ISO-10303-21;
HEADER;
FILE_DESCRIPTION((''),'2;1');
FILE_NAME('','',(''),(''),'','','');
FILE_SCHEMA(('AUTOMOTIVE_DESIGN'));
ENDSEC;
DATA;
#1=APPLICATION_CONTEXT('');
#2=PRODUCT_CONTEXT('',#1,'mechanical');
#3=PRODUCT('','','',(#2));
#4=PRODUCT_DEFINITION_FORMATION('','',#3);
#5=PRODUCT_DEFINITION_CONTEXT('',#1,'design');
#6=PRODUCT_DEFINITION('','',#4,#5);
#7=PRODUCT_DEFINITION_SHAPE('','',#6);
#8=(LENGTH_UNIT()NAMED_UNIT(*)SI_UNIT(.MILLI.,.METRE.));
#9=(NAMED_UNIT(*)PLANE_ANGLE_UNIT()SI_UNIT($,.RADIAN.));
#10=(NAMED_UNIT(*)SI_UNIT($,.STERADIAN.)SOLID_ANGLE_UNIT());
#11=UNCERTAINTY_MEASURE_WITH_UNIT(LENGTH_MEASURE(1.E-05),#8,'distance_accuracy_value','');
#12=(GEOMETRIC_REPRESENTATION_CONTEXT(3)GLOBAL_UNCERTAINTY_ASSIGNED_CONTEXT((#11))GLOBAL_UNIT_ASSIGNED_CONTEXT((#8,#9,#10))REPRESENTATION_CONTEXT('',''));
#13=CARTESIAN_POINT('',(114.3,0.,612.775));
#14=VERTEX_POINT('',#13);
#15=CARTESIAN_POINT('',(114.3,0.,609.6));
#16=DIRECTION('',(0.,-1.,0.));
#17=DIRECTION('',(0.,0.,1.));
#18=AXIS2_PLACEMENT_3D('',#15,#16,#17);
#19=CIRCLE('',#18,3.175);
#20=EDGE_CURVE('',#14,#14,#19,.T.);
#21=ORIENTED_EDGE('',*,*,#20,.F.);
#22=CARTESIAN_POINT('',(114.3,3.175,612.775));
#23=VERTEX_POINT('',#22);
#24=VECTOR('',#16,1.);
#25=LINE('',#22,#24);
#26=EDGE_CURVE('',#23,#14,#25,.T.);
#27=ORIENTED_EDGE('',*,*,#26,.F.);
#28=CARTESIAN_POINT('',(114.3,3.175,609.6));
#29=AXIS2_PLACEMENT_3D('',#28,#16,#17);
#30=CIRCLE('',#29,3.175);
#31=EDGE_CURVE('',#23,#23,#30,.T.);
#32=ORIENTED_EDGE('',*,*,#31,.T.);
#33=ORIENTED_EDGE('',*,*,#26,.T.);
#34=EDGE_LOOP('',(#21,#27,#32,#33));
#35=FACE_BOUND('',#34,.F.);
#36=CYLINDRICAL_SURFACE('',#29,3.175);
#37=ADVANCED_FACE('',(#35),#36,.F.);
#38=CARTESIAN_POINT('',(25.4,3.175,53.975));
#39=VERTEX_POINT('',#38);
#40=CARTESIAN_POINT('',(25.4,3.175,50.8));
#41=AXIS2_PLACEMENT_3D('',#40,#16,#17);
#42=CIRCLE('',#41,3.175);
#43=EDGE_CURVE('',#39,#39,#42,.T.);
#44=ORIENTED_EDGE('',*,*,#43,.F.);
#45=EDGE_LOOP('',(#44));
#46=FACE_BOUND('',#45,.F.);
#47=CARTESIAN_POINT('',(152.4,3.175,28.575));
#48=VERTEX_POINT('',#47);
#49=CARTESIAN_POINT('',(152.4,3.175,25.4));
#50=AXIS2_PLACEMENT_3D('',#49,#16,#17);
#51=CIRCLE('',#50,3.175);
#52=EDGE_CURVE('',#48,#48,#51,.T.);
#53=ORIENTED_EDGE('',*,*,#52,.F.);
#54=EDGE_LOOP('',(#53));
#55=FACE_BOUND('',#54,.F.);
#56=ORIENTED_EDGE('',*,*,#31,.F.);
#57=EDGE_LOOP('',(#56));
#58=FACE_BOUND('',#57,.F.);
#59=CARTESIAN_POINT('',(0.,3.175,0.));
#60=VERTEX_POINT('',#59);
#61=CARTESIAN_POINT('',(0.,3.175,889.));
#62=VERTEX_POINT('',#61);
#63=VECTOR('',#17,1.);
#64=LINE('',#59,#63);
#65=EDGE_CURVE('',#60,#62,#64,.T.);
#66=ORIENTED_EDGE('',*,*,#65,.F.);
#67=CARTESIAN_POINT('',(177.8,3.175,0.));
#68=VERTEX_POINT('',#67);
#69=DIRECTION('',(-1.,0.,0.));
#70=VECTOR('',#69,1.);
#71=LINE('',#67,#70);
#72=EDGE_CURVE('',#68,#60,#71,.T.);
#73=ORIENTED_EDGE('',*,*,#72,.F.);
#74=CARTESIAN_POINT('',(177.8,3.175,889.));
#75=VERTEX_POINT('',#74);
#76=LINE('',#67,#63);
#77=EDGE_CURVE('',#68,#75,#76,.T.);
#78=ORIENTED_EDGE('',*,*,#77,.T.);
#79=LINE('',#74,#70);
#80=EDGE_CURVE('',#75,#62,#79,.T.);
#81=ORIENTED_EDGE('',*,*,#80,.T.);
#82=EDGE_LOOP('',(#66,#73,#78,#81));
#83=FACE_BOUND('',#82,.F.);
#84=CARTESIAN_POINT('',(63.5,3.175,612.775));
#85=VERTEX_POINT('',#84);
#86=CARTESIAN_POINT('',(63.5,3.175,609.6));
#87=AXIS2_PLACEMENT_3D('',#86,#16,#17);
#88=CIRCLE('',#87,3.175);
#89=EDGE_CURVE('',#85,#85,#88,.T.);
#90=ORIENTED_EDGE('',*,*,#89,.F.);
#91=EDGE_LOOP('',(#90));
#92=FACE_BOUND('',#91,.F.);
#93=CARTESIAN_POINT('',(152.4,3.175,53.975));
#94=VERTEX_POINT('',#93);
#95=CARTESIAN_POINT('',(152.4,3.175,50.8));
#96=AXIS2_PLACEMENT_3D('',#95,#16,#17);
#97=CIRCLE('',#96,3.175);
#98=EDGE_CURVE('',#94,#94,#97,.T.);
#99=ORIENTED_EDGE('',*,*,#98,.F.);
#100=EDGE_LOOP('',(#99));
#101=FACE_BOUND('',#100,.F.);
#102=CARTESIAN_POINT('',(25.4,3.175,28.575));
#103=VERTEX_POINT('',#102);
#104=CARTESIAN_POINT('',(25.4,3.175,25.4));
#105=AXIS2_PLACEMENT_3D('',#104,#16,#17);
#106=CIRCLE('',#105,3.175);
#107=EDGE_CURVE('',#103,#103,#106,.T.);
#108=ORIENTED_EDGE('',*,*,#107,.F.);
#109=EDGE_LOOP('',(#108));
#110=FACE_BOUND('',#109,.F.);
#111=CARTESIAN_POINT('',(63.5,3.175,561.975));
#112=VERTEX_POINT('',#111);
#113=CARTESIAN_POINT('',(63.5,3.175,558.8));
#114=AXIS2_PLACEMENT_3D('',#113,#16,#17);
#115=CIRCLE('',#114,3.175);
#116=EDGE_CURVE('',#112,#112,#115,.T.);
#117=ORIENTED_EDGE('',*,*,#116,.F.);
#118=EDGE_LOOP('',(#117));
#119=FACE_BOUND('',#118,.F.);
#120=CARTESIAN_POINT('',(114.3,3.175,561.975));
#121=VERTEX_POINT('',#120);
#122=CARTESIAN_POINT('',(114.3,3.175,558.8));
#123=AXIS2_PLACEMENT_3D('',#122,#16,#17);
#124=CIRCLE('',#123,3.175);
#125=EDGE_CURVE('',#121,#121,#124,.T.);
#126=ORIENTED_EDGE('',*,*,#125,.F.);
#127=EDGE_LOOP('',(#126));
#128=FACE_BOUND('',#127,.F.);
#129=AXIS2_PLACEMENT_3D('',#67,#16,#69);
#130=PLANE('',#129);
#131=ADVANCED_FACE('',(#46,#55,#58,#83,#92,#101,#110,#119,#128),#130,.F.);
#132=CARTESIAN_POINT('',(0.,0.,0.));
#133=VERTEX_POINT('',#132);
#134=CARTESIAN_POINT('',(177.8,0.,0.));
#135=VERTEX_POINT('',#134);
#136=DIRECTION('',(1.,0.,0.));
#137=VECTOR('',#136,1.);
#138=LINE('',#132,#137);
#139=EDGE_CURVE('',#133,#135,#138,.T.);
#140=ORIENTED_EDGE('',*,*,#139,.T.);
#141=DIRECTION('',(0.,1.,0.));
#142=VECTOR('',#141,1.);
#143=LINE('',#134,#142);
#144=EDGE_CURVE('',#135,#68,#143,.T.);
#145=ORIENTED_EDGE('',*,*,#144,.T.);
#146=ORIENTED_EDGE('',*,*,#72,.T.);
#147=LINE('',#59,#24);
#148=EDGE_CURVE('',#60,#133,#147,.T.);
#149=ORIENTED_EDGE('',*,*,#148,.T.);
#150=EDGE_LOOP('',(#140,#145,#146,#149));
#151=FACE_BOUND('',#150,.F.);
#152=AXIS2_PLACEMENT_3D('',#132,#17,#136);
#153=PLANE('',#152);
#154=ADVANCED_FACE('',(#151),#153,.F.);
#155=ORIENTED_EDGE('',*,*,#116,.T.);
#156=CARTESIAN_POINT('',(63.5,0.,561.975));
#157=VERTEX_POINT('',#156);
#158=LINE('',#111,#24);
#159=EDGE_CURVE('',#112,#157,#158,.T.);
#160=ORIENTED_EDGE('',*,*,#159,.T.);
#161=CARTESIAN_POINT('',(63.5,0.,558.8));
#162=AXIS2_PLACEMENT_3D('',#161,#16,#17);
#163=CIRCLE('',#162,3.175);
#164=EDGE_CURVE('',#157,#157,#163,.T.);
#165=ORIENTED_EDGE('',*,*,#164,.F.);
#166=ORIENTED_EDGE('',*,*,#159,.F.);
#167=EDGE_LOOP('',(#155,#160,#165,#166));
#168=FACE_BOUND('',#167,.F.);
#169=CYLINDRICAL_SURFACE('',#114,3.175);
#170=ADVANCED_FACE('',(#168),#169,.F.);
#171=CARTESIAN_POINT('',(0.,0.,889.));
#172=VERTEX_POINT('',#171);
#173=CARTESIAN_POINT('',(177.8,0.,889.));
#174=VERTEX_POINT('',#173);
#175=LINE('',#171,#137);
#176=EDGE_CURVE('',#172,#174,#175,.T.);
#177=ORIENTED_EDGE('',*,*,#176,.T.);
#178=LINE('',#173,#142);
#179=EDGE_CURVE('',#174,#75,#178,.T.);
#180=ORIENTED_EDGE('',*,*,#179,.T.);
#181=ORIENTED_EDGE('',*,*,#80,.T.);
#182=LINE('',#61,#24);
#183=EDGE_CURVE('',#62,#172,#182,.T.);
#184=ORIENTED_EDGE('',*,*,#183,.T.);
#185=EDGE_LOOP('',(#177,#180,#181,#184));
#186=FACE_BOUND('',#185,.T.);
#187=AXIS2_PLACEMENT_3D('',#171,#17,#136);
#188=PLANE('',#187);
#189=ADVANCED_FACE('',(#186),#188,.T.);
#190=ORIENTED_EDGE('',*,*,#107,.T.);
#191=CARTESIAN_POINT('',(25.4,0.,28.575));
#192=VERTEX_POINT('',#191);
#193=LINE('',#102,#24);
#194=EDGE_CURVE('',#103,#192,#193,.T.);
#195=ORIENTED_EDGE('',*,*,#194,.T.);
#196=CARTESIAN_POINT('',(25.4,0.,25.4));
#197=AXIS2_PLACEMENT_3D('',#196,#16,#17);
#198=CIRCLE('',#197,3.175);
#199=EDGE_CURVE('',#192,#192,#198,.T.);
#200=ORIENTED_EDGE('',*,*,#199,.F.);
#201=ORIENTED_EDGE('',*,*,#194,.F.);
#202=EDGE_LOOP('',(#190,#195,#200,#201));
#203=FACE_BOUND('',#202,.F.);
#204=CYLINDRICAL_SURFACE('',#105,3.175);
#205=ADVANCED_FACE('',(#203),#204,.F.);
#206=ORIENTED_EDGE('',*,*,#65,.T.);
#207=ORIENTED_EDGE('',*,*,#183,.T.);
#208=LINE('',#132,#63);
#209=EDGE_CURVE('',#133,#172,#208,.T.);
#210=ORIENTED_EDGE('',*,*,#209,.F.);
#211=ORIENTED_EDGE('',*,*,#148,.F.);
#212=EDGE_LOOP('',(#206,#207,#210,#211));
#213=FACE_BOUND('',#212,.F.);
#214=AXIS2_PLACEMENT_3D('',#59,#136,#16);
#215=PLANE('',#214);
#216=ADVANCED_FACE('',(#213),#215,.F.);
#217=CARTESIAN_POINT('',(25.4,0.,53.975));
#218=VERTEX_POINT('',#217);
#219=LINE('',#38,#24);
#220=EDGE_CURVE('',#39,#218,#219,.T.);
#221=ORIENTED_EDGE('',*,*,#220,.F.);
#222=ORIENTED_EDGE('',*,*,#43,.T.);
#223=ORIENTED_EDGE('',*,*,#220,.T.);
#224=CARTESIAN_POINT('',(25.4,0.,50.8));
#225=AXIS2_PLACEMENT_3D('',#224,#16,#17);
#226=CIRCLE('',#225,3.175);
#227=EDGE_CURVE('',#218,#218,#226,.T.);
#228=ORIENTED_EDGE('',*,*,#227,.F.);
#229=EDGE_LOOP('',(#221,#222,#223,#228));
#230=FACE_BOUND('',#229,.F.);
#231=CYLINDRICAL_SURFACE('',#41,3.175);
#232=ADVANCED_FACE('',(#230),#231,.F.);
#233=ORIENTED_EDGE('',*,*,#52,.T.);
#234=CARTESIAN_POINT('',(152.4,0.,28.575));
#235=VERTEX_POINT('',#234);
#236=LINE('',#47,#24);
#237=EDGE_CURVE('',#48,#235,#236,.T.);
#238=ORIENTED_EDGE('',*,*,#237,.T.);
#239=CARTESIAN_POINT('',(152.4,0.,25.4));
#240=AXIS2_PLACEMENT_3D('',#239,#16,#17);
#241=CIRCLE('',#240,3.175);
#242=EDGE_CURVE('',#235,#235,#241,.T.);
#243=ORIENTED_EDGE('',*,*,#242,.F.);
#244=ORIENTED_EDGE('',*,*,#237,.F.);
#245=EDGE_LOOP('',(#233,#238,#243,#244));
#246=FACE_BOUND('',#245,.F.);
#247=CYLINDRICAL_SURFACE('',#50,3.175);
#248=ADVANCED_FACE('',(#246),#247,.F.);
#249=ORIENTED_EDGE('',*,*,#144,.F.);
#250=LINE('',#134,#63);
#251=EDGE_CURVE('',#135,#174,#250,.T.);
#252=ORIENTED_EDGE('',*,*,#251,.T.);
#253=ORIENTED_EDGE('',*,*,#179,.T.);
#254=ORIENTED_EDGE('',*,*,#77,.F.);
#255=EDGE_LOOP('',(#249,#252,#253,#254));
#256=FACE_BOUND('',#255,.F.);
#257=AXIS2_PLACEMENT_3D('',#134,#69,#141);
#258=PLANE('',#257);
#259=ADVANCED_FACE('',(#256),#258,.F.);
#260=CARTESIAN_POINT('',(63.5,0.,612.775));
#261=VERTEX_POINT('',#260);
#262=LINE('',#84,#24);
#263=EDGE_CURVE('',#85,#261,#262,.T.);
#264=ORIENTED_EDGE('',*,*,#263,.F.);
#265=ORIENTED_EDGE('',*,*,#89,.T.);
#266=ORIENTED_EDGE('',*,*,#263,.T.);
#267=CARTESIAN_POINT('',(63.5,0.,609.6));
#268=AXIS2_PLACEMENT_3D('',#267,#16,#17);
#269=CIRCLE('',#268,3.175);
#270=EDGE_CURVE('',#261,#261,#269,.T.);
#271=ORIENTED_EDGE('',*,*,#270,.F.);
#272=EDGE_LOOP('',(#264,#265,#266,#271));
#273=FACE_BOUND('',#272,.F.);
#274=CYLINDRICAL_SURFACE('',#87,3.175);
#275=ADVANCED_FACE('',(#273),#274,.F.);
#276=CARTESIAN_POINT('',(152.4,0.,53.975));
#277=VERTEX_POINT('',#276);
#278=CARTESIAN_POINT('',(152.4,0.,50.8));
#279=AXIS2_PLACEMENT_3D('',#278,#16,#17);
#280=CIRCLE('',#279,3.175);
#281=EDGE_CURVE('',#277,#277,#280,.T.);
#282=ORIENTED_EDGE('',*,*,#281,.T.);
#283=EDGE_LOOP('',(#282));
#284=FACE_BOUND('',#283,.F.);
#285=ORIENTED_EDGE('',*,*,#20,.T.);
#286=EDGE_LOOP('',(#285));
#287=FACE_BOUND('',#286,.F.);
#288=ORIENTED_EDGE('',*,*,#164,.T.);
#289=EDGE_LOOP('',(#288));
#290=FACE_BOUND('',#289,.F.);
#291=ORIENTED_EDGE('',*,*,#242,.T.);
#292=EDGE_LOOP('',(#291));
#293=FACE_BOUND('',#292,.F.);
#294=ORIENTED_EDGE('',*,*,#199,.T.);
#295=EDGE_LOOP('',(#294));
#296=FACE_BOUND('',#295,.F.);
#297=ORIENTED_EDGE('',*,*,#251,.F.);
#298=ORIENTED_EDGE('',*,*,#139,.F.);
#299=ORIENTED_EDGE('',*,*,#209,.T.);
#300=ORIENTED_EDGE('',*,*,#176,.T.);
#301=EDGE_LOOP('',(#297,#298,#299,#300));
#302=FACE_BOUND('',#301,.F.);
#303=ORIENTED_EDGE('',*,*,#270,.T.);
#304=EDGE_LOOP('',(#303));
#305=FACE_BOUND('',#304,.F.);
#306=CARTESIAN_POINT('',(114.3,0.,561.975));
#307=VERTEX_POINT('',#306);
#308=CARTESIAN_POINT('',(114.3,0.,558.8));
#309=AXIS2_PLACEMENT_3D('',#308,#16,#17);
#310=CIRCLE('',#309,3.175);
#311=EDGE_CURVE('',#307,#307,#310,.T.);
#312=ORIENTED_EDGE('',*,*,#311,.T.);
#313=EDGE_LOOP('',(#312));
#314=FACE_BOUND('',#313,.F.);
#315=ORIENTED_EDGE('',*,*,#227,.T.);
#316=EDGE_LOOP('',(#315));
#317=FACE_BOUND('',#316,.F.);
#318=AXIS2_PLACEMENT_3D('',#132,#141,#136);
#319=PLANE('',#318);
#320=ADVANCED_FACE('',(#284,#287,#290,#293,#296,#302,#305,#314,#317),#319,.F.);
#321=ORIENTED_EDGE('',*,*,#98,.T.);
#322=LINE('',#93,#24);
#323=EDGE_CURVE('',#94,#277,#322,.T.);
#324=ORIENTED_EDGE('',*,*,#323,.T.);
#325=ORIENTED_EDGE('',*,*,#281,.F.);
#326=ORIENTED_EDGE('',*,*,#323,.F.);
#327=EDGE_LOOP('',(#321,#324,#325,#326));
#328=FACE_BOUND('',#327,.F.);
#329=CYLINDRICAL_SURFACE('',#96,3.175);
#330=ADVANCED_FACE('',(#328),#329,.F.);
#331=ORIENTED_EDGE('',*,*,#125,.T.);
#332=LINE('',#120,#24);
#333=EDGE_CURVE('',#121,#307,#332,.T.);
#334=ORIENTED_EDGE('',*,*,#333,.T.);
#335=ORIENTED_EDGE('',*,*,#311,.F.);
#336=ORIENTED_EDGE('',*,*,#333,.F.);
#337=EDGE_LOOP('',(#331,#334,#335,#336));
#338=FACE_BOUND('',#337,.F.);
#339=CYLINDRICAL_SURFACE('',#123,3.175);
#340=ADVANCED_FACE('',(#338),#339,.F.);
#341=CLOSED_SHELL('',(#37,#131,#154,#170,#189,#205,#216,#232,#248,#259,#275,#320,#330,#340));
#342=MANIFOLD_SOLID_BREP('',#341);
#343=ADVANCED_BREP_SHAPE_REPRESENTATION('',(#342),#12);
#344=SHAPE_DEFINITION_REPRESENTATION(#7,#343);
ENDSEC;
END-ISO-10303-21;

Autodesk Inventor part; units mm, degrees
ref_plane "YZ Plane" through (0, 0, 0) normal (1, 0, 0) x (0, 1, 0)
ref_plane "XZ Plane" through (0, 0, 0) normal (0, 1, 0) x (-1, 0, 0)
ref_plane "XY Plane" through (0, 0, 0) normal (0, 0, 1) x (1, 0, 0)
sketch "Sketch1" plane through (0, 0, 0) normal (0, 0, 1) x (1, 0, 0)
  point P0 (0, 0)
sketch "Sketch2" plane through (0, 0, 0) normal (0, 0, 1) x (1, 0, 0)
  line L0 (0, 0) -> (177.8, 0)
  line L1 (177.8, 0) -> (177.8, 3.175)
  line L2 (177.8, 3.175) -> (0, 3.175)
  line L3 (0, 3.175) -> (0, 0)
  dimension "d0" = 177.8
  dimension "d1" = 3.175
extrude "Extrusion1" add sketch "Sketch2" along normal blind 889
sketch "Sketch3" plane through (0, 3.175, 0) normal (0, 1, 0) x (1, 0, 0)
  line L0 (177.8, 0) -> (0, 0) projected
  line L1 (177.8, 0) -> (177.8, -889) projected
  line L2 (0, 0) -> (0, -889) projected
  point P0 (63.5, -558.8)
  point P1 (114.3, -558.8)
  point P2 (63.5, -609.6)
  point P3 (114.3, -609.6)
  dimension "d4" = 558.8
  dimension "d5" = 558.8
  dimension "d6" = 609.6
  dimension "d7" = 609.6
  dimension "d8" = 63.5
  dimension "d9" = 63.5
  dimension "d10" = 63.5
  dimension "d11" = 63.5
hole "Hole1" at (63.5, 3.175, 558.8) at (63.5, 3.175, 609.6) at (114.3, 3.175, 609.6) at (114.3, 3.175, 558.8) direction (0, -1, 0) diameter 6.35 end through all
sketch "Sketch4" plane through (0, 3.175, 0) normal (0, 1, 0) x (1, 0, 0)
  line L0 (177.8, 0) -> (0, 0) projected
  line L1 (0, 0) -> (0, -889) projected
  line L2 (177.8, 0) -> (177.8, -889) projected
  point P0 (25.4, -25.4)
  point P1 (25.4, -50.8)
  point P2 (152.4, -25.4)
  point P3 (152.4, -50.8)
  dimension "d19" = 25.4
  dimension "d20" = 25.4
  dimension "d21" = 25.4
  dimension "d22" = 25.4
  dimension "d23" = 25.4
  dimension "d24" = 25.4
  dimension "d25" = 50.8
  dimension "d26" = 50.8
hole "Hole2" at (25.4, 3.175, 25.4) at (25.4, 3.175, 50.8) at (152.4, 3.175, 50.8) at (152.4, 3.175, 25.4) direction (0, -1, 0) diameter 6.35 end through all
properties part number "Undercarriage Panel"
